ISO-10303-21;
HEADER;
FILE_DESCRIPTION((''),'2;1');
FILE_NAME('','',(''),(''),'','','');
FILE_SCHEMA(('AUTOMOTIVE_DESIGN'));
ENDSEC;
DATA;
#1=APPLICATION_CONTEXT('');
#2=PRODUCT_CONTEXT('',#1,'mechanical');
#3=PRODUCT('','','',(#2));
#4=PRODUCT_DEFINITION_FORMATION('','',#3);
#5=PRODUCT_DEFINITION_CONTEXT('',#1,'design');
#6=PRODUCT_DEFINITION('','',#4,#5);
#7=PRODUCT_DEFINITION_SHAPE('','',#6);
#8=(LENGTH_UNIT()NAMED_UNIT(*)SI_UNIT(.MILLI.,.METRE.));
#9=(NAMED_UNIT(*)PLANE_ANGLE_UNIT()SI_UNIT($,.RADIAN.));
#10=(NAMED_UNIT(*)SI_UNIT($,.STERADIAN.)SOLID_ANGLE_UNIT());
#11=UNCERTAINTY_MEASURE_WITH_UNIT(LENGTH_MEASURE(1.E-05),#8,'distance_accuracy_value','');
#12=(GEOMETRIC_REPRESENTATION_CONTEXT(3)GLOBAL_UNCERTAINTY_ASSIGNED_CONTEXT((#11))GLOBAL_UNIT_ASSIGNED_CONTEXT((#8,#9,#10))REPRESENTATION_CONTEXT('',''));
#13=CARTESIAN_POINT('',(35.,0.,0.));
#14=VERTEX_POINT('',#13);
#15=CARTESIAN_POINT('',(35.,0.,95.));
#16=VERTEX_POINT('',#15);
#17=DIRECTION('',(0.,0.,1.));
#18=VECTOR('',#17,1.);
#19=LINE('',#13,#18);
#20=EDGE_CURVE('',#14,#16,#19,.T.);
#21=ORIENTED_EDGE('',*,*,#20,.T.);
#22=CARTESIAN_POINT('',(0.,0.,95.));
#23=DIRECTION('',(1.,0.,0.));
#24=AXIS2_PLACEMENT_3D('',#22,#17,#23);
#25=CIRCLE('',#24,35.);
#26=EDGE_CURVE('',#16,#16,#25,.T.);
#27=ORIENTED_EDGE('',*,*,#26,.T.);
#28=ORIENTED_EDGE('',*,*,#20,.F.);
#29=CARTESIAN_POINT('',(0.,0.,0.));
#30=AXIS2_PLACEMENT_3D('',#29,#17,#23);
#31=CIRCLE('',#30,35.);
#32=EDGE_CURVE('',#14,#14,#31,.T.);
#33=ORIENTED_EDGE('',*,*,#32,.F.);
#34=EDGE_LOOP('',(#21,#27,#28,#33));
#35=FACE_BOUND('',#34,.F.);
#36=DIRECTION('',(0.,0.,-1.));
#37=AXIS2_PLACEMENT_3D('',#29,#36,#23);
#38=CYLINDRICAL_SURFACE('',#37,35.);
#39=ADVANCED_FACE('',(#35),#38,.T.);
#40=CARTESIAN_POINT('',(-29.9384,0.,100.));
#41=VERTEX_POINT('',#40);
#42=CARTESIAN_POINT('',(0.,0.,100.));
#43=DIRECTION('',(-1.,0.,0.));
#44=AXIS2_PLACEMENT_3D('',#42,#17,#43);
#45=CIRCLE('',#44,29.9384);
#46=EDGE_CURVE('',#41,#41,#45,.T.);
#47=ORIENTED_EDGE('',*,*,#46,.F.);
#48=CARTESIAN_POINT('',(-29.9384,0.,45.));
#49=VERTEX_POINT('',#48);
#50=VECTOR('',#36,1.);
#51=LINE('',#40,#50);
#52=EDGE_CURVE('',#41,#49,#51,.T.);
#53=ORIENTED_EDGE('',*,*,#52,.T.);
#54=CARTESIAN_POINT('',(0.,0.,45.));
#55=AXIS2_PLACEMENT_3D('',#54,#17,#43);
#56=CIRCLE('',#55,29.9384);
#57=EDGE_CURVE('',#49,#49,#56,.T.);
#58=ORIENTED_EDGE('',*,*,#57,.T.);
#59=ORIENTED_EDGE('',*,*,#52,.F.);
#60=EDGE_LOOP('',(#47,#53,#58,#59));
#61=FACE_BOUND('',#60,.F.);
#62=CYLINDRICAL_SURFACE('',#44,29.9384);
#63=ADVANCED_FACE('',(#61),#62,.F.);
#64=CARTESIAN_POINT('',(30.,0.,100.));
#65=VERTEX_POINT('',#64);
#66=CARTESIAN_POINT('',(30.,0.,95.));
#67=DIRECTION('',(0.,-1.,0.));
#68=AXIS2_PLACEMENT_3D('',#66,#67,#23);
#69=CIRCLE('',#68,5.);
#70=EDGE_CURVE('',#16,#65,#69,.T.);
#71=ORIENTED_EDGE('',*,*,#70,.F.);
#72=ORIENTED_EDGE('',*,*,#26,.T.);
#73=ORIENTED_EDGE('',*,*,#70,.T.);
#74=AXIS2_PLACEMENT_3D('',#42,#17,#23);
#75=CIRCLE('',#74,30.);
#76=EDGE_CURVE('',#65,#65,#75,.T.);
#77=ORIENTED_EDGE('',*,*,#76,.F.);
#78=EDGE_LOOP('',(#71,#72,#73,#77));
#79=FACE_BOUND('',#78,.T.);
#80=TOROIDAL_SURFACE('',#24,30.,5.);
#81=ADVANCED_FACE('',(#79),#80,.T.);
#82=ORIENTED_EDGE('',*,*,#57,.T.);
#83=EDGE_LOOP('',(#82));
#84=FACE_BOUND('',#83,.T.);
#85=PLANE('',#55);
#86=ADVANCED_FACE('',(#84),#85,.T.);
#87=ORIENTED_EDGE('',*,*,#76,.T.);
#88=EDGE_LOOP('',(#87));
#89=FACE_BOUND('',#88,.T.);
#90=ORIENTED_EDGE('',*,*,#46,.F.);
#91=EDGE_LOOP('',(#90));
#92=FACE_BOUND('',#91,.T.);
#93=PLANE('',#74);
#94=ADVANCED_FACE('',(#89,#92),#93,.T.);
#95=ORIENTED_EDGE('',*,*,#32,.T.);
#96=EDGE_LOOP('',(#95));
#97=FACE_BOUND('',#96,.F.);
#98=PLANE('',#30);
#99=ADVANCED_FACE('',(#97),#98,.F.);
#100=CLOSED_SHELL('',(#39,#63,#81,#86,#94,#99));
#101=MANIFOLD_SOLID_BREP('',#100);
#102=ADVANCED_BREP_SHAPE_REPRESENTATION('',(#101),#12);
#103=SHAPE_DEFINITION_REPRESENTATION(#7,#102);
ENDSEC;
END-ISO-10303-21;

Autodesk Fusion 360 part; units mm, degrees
sketch "Sketch1" plane through (0, 0, 0) normal (0, 0, 1) x (1, 0, 0)
  circle A0 centre (0, 0) radius 35
  dimension "d6" = 70
extrude "Extrude1" add sketch "Sketch1" along normal blind 100
sketch "Sketch2" plane through (0, 0, 100) normal (0, 0, 1) x (-1, 0, 0)
  circle A0 centre (0, 0) radius 35
  circle A1 centre (0, 0) radius 29.9384
extrude "Extrude2" cut sketch "Sketch2" against normal blind 55 contours A1
fillet "Fillet1" radius 5 1 edges at (-32.6315, -12.6565, 100)
